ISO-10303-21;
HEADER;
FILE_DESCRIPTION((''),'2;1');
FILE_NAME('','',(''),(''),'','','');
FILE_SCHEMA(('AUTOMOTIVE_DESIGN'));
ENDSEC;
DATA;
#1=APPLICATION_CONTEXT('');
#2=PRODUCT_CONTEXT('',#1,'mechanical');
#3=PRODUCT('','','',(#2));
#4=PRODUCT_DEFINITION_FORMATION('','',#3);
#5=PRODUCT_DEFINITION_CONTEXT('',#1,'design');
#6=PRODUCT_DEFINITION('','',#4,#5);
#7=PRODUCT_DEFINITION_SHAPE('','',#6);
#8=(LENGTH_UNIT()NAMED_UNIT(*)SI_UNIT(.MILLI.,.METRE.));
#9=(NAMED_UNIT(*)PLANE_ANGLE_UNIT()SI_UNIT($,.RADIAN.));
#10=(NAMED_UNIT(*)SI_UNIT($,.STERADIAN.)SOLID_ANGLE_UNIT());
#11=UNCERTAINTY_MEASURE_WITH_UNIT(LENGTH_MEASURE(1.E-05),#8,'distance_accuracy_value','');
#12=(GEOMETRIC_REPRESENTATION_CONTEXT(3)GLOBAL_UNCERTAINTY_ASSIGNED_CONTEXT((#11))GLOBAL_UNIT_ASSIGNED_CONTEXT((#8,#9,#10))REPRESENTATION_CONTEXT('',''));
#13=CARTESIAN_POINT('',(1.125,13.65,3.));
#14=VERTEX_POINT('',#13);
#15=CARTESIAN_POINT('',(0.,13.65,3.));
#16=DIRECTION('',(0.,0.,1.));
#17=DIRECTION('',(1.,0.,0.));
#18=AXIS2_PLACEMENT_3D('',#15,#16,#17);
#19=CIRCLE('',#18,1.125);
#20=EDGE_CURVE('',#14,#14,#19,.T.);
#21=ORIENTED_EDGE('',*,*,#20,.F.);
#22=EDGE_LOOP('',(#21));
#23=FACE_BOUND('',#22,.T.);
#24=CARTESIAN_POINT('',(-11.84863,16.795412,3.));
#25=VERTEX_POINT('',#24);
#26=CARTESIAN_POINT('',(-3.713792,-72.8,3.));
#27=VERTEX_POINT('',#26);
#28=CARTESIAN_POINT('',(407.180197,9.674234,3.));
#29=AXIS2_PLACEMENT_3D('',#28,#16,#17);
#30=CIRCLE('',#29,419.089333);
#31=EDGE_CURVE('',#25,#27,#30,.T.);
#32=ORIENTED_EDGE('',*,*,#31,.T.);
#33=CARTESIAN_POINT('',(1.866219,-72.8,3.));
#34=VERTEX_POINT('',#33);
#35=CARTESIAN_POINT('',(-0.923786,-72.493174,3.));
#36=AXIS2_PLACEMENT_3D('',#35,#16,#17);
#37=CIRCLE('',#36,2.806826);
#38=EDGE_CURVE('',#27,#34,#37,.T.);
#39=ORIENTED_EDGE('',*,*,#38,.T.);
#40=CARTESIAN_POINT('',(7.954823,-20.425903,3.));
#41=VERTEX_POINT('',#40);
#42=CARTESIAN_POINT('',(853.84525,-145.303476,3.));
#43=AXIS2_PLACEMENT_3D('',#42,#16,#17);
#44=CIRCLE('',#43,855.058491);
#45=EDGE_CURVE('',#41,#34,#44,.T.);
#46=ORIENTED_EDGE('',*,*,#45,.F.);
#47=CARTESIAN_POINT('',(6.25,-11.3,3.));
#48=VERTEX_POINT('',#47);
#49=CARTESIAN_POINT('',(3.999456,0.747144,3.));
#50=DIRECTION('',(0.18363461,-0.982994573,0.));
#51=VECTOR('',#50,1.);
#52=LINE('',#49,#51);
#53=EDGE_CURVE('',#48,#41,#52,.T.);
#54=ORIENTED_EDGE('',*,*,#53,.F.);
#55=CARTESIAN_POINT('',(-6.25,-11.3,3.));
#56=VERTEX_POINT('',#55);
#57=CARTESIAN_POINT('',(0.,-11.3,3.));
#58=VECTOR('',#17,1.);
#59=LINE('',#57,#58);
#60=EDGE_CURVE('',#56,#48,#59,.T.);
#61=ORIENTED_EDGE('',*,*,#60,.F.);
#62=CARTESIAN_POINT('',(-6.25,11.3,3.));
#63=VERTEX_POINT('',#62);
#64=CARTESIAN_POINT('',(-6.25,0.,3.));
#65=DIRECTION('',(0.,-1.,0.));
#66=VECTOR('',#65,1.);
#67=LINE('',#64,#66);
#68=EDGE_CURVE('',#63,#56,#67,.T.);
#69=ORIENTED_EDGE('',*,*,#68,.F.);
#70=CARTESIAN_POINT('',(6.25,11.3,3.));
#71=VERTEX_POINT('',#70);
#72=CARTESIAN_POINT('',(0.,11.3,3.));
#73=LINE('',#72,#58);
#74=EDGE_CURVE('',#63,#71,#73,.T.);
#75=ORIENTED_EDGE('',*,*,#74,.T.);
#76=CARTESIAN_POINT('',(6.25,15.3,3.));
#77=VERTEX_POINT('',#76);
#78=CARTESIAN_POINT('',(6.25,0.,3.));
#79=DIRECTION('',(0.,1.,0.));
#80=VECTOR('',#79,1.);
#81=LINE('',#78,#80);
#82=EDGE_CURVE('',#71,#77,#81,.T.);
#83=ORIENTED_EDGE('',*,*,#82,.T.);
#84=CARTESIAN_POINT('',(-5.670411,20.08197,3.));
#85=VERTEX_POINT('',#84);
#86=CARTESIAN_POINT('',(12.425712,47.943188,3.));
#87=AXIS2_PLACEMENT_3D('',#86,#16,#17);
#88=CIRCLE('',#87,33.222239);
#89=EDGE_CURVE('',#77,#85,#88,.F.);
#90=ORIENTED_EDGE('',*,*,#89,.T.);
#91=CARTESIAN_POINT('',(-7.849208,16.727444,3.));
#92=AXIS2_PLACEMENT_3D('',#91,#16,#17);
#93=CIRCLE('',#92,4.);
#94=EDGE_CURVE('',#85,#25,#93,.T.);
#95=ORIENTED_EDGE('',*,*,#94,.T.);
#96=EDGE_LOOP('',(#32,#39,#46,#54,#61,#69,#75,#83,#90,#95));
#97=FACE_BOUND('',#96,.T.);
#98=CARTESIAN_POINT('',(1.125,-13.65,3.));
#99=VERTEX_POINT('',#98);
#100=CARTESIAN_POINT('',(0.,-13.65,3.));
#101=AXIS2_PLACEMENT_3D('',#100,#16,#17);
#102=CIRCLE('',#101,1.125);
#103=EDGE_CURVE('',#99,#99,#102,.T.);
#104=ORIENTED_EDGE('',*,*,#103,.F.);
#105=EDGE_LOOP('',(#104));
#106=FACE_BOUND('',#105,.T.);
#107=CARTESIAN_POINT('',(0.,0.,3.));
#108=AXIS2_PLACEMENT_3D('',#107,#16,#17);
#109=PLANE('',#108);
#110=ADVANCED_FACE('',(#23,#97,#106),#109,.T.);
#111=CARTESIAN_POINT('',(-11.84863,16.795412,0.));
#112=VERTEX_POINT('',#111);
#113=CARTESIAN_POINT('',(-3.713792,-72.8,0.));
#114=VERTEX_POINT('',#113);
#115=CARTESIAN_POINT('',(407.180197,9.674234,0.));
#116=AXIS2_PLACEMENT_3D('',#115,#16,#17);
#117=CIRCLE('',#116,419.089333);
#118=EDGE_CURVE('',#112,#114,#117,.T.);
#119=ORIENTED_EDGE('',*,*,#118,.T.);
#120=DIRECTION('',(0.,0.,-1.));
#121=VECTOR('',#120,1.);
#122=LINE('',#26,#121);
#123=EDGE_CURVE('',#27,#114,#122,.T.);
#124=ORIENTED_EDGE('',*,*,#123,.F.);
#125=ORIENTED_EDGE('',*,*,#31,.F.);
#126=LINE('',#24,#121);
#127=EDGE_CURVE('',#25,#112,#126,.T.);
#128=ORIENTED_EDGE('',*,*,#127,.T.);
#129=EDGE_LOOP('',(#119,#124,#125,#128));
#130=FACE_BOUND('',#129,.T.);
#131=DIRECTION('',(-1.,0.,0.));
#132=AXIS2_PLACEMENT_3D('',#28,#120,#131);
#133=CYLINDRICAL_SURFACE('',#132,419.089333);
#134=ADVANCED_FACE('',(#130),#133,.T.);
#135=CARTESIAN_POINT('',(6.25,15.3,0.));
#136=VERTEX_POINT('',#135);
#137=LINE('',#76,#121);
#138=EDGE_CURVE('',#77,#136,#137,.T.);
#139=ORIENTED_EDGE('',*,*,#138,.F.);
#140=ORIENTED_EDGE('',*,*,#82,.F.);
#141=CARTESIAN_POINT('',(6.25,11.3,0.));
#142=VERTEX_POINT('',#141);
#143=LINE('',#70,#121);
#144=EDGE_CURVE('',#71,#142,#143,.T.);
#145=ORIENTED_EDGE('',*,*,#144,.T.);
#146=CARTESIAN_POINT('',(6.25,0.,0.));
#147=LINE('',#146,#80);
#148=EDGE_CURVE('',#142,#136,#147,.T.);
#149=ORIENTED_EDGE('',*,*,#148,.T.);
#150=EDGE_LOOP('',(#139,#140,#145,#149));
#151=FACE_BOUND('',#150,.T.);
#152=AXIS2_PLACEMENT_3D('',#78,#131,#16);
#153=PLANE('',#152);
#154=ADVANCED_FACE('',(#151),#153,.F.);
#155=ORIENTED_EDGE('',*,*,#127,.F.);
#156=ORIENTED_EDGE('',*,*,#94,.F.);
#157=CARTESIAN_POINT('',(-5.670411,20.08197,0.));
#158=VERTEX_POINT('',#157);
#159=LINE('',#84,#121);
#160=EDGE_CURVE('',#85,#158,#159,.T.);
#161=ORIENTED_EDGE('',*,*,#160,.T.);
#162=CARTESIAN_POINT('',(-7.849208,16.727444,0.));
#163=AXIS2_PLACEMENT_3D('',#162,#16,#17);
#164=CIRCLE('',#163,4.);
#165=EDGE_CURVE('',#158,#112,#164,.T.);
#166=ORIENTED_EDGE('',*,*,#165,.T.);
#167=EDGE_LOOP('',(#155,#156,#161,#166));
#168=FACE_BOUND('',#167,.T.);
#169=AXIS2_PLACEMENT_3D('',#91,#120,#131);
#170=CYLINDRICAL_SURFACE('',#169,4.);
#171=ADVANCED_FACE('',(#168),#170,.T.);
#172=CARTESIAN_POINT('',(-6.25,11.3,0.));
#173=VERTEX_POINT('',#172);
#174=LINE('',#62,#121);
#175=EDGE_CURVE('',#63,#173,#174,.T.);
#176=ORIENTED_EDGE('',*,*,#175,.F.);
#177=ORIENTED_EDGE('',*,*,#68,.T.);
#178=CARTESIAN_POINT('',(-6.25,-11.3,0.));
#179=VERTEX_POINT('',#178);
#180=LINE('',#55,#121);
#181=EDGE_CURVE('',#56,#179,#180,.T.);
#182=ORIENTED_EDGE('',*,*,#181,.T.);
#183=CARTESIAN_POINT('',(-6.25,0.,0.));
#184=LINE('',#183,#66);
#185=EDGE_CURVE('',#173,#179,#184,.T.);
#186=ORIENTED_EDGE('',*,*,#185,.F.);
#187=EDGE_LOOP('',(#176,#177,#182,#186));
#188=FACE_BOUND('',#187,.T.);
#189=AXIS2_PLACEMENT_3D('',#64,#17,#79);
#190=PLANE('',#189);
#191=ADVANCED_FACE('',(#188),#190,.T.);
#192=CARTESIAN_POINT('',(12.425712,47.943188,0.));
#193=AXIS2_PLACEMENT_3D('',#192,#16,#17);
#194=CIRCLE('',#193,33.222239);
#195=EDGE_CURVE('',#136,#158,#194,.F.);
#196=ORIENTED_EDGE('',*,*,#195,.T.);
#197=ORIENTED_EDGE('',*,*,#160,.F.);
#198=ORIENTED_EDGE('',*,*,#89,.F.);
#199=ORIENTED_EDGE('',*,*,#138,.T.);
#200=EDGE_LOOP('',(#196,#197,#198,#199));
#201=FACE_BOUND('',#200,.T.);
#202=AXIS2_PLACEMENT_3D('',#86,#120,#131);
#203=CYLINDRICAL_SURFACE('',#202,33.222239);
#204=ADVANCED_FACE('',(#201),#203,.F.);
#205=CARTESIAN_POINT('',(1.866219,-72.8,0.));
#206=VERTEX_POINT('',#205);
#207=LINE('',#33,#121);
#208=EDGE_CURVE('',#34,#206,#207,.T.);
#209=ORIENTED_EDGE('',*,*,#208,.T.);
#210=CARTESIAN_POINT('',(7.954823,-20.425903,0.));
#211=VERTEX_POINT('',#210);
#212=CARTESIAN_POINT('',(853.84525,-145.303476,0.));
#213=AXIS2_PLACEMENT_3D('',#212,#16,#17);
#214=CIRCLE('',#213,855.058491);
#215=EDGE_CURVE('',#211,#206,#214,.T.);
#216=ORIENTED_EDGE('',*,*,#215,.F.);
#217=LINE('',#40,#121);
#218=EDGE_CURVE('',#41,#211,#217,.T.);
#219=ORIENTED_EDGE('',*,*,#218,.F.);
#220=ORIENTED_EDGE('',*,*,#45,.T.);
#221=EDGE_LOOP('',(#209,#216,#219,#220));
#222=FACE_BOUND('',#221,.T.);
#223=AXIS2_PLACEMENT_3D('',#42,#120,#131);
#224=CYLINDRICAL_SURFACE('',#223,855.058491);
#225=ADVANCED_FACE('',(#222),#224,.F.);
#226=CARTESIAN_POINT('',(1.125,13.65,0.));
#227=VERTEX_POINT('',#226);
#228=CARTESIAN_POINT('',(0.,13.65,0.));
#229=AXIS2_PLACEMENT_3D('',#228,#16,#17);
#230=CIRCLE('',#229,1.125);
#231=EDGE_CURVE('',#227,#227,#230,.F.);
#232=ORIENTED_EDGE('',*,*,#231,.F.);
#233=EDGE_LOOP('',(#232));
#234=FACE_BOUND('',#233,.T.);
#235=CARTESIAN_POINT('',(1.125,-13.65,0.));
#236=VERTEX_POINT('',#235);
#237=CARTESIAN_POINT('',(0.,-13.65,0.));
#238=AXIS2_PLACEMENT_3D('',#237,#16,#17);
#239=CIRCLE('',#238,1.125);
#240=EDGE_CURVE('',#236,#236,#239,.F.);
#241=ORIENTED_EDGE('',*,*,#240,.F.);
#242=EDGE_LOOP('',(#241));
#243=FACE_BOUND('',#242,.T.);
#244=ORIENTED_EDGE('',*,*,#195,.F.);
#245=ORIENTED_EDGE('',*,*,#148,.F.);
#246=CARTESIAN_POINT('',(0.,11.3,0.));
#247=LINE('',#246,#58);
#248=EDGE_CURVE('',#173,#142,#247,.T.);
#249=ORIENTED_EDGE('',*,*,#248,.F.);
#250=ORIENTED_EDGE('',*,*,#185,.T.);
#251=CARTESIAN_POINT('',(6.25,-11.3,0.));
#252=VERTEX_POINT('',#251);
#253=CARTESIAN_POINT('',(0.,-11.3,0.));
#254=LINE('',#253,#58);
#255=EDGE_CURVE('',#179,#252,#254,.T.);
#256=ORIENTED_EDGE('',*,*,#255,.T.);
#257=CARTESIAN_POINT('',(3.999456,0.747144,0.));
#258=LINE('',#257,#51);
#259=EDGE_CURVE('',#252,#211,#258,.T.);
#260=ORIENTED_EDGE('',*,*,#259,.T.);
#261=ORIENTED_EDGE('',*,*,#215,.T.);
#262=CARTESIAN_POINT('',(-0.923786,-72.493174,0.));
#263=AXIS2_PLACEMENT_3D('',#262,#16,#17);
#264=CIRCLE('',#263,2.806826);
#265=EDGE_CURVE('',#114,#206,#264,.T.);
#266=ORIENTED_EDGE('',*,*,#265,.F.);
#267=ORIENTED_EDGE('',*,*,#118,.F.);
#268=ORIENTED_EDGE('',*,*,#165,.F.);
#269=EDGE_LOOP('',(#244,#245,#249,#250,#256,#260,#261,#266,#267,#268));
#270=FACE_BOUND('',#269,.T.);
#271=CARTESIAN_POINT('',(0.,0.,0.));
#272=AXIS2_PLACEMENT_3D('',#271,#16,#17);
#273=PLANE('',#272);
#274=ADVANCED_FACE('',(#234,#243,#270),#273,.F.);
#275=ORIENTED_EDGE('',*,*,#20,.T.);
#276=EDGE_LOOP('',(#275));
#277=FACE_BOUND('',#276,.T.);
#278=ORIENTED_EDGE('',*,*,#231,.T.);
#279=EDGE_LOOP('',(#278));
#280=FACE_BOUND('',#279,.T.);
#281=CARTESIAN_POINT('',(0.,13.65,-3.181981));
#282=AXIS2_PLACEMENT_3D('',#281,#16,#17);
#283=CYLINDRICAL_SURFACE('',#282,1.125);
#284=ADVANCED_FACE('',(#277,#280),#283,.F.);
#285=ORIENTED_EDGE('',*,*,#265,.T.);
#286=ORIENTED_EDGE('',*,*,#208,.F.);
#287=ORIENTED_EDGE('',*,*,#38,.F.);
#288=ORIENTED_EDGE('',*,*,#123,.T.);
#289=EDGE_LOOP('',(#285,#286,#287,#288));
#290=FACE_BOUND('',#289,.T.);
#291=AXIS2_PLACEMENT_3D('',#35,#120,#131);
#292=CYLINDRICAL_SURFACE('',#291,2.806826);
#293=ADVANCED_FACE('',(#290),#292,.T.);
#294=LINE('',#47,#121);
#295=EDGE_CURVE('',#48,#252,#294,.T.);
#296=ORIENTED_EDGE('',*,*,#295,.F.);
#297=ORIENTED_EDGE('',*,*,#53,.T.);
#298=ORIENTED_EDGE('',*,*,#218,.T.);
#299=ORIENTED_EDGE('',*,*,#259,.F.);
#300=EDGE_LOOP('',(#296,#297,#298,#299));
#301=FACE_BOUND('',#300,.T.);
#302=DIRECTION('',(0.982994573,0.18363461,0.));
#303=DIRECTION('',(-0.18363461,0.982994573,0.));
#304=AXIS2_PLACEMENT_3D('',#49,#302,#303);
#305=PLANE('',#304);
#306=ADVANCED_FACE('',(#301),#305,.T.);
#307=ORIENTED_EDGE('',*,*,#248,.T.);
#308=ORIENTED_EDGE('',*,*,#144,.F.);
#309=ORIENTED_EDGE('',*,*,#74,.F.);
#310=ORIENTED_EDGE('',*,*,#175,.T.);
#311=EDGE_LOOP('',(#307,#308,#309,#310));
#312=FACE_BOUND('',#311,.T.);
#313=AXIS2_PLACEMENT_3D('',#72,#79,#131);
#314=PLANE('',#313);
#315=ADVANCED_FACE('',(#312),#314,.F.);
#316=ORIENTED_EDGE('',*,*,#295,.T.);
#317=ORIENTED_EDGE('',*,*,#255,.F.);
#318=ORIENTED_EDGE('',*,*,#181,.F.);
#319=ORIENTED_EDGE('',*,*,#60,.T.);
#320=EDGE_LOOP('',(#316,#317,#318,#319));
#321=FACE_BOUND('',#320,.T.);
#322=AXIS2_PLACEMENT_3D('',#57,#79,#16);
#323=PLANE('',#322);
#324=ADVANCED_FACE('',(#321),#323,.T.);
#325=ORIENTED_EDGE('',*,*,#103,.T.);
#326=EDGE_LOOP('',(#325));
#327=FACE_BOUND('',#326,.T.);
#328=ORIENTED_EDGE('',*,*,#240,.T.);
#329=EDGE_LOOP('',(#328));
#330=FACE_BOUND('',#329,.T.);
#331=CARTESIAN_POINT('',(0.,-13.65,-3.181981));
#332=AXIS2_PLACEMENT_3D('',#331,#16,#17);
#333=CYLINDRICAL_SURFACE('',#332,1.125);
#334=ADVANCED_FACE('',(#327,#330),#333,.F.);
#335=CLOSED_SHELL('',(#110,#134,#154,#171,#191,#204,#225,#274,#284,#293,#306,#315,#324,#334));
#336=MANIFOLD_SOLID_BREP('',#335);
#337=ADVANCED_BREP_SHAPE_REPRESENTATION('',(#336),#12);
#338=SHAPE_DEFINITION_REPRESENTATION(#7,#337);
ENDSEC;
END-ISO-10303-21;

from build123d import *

# Parameters (mm, degrees)
SALIENTE_EXTRUIR1_DEPTH = 3
CROQUIS2_R              = 1.125
CORTAR_EXTRUIR1_DEPTH   = 3


with BuildPart() as part:
    # Croquis1 → Saliente-Extruir1 (new body)
    with BuildSketch(Plane.XY):
        with BuildLine():
            Line((-6.25, 11.3), (6.25, 11.3))
            Line((6.25, 11.3), (6.25, 15.3))
            ThreePointArc((6.25, 15.3), (0.056504012, 17.109442987), (-5.670411261, 20.081970181))
            ThreePointArc((-5.670411261, 20.081970181), (-9.727780496, 20.258869159), (-11.848630151, 16.795412057))
            ThreePointArc((-11.848630151, 16.795412057), (-10.192303885, -28.221209783), (-3.713791608, -72.8))
            ThreePointArc((-3.713791608, -72.8), (-0.923786204, -75.3), (1.8662192, -72.8))
            ThreePointArc((1.8662192, -72.8), (4.506721754, -46.566008889), (7.954822861, -20.425902882))
            Line((7.954822861, -20.425902882), (6.25, -11.3))
            Line((6.25, -11.3), (-6.25, -11.3))
            Line((-6.25, -11.3), (-6.25, 11.3))
        make_face()
    extrude(amount=SALIENTE_EXTRUIR1_DEPTH)

    # Croquis2 → Cortar-Extruir1 (cut)
    with BuildSketch(Plane.XY.offset(3)):
        with Locations((0, 13.65)):
            Circle(CROQUIS2_R)
        with Locations((0, -13.65)):
            Circle(CROQUIS2_R)
    extrude(amount=-CORTAR_EXTRUIR1_DEPTH, mode=Mode.SUBTRACT)


solid = part.part
